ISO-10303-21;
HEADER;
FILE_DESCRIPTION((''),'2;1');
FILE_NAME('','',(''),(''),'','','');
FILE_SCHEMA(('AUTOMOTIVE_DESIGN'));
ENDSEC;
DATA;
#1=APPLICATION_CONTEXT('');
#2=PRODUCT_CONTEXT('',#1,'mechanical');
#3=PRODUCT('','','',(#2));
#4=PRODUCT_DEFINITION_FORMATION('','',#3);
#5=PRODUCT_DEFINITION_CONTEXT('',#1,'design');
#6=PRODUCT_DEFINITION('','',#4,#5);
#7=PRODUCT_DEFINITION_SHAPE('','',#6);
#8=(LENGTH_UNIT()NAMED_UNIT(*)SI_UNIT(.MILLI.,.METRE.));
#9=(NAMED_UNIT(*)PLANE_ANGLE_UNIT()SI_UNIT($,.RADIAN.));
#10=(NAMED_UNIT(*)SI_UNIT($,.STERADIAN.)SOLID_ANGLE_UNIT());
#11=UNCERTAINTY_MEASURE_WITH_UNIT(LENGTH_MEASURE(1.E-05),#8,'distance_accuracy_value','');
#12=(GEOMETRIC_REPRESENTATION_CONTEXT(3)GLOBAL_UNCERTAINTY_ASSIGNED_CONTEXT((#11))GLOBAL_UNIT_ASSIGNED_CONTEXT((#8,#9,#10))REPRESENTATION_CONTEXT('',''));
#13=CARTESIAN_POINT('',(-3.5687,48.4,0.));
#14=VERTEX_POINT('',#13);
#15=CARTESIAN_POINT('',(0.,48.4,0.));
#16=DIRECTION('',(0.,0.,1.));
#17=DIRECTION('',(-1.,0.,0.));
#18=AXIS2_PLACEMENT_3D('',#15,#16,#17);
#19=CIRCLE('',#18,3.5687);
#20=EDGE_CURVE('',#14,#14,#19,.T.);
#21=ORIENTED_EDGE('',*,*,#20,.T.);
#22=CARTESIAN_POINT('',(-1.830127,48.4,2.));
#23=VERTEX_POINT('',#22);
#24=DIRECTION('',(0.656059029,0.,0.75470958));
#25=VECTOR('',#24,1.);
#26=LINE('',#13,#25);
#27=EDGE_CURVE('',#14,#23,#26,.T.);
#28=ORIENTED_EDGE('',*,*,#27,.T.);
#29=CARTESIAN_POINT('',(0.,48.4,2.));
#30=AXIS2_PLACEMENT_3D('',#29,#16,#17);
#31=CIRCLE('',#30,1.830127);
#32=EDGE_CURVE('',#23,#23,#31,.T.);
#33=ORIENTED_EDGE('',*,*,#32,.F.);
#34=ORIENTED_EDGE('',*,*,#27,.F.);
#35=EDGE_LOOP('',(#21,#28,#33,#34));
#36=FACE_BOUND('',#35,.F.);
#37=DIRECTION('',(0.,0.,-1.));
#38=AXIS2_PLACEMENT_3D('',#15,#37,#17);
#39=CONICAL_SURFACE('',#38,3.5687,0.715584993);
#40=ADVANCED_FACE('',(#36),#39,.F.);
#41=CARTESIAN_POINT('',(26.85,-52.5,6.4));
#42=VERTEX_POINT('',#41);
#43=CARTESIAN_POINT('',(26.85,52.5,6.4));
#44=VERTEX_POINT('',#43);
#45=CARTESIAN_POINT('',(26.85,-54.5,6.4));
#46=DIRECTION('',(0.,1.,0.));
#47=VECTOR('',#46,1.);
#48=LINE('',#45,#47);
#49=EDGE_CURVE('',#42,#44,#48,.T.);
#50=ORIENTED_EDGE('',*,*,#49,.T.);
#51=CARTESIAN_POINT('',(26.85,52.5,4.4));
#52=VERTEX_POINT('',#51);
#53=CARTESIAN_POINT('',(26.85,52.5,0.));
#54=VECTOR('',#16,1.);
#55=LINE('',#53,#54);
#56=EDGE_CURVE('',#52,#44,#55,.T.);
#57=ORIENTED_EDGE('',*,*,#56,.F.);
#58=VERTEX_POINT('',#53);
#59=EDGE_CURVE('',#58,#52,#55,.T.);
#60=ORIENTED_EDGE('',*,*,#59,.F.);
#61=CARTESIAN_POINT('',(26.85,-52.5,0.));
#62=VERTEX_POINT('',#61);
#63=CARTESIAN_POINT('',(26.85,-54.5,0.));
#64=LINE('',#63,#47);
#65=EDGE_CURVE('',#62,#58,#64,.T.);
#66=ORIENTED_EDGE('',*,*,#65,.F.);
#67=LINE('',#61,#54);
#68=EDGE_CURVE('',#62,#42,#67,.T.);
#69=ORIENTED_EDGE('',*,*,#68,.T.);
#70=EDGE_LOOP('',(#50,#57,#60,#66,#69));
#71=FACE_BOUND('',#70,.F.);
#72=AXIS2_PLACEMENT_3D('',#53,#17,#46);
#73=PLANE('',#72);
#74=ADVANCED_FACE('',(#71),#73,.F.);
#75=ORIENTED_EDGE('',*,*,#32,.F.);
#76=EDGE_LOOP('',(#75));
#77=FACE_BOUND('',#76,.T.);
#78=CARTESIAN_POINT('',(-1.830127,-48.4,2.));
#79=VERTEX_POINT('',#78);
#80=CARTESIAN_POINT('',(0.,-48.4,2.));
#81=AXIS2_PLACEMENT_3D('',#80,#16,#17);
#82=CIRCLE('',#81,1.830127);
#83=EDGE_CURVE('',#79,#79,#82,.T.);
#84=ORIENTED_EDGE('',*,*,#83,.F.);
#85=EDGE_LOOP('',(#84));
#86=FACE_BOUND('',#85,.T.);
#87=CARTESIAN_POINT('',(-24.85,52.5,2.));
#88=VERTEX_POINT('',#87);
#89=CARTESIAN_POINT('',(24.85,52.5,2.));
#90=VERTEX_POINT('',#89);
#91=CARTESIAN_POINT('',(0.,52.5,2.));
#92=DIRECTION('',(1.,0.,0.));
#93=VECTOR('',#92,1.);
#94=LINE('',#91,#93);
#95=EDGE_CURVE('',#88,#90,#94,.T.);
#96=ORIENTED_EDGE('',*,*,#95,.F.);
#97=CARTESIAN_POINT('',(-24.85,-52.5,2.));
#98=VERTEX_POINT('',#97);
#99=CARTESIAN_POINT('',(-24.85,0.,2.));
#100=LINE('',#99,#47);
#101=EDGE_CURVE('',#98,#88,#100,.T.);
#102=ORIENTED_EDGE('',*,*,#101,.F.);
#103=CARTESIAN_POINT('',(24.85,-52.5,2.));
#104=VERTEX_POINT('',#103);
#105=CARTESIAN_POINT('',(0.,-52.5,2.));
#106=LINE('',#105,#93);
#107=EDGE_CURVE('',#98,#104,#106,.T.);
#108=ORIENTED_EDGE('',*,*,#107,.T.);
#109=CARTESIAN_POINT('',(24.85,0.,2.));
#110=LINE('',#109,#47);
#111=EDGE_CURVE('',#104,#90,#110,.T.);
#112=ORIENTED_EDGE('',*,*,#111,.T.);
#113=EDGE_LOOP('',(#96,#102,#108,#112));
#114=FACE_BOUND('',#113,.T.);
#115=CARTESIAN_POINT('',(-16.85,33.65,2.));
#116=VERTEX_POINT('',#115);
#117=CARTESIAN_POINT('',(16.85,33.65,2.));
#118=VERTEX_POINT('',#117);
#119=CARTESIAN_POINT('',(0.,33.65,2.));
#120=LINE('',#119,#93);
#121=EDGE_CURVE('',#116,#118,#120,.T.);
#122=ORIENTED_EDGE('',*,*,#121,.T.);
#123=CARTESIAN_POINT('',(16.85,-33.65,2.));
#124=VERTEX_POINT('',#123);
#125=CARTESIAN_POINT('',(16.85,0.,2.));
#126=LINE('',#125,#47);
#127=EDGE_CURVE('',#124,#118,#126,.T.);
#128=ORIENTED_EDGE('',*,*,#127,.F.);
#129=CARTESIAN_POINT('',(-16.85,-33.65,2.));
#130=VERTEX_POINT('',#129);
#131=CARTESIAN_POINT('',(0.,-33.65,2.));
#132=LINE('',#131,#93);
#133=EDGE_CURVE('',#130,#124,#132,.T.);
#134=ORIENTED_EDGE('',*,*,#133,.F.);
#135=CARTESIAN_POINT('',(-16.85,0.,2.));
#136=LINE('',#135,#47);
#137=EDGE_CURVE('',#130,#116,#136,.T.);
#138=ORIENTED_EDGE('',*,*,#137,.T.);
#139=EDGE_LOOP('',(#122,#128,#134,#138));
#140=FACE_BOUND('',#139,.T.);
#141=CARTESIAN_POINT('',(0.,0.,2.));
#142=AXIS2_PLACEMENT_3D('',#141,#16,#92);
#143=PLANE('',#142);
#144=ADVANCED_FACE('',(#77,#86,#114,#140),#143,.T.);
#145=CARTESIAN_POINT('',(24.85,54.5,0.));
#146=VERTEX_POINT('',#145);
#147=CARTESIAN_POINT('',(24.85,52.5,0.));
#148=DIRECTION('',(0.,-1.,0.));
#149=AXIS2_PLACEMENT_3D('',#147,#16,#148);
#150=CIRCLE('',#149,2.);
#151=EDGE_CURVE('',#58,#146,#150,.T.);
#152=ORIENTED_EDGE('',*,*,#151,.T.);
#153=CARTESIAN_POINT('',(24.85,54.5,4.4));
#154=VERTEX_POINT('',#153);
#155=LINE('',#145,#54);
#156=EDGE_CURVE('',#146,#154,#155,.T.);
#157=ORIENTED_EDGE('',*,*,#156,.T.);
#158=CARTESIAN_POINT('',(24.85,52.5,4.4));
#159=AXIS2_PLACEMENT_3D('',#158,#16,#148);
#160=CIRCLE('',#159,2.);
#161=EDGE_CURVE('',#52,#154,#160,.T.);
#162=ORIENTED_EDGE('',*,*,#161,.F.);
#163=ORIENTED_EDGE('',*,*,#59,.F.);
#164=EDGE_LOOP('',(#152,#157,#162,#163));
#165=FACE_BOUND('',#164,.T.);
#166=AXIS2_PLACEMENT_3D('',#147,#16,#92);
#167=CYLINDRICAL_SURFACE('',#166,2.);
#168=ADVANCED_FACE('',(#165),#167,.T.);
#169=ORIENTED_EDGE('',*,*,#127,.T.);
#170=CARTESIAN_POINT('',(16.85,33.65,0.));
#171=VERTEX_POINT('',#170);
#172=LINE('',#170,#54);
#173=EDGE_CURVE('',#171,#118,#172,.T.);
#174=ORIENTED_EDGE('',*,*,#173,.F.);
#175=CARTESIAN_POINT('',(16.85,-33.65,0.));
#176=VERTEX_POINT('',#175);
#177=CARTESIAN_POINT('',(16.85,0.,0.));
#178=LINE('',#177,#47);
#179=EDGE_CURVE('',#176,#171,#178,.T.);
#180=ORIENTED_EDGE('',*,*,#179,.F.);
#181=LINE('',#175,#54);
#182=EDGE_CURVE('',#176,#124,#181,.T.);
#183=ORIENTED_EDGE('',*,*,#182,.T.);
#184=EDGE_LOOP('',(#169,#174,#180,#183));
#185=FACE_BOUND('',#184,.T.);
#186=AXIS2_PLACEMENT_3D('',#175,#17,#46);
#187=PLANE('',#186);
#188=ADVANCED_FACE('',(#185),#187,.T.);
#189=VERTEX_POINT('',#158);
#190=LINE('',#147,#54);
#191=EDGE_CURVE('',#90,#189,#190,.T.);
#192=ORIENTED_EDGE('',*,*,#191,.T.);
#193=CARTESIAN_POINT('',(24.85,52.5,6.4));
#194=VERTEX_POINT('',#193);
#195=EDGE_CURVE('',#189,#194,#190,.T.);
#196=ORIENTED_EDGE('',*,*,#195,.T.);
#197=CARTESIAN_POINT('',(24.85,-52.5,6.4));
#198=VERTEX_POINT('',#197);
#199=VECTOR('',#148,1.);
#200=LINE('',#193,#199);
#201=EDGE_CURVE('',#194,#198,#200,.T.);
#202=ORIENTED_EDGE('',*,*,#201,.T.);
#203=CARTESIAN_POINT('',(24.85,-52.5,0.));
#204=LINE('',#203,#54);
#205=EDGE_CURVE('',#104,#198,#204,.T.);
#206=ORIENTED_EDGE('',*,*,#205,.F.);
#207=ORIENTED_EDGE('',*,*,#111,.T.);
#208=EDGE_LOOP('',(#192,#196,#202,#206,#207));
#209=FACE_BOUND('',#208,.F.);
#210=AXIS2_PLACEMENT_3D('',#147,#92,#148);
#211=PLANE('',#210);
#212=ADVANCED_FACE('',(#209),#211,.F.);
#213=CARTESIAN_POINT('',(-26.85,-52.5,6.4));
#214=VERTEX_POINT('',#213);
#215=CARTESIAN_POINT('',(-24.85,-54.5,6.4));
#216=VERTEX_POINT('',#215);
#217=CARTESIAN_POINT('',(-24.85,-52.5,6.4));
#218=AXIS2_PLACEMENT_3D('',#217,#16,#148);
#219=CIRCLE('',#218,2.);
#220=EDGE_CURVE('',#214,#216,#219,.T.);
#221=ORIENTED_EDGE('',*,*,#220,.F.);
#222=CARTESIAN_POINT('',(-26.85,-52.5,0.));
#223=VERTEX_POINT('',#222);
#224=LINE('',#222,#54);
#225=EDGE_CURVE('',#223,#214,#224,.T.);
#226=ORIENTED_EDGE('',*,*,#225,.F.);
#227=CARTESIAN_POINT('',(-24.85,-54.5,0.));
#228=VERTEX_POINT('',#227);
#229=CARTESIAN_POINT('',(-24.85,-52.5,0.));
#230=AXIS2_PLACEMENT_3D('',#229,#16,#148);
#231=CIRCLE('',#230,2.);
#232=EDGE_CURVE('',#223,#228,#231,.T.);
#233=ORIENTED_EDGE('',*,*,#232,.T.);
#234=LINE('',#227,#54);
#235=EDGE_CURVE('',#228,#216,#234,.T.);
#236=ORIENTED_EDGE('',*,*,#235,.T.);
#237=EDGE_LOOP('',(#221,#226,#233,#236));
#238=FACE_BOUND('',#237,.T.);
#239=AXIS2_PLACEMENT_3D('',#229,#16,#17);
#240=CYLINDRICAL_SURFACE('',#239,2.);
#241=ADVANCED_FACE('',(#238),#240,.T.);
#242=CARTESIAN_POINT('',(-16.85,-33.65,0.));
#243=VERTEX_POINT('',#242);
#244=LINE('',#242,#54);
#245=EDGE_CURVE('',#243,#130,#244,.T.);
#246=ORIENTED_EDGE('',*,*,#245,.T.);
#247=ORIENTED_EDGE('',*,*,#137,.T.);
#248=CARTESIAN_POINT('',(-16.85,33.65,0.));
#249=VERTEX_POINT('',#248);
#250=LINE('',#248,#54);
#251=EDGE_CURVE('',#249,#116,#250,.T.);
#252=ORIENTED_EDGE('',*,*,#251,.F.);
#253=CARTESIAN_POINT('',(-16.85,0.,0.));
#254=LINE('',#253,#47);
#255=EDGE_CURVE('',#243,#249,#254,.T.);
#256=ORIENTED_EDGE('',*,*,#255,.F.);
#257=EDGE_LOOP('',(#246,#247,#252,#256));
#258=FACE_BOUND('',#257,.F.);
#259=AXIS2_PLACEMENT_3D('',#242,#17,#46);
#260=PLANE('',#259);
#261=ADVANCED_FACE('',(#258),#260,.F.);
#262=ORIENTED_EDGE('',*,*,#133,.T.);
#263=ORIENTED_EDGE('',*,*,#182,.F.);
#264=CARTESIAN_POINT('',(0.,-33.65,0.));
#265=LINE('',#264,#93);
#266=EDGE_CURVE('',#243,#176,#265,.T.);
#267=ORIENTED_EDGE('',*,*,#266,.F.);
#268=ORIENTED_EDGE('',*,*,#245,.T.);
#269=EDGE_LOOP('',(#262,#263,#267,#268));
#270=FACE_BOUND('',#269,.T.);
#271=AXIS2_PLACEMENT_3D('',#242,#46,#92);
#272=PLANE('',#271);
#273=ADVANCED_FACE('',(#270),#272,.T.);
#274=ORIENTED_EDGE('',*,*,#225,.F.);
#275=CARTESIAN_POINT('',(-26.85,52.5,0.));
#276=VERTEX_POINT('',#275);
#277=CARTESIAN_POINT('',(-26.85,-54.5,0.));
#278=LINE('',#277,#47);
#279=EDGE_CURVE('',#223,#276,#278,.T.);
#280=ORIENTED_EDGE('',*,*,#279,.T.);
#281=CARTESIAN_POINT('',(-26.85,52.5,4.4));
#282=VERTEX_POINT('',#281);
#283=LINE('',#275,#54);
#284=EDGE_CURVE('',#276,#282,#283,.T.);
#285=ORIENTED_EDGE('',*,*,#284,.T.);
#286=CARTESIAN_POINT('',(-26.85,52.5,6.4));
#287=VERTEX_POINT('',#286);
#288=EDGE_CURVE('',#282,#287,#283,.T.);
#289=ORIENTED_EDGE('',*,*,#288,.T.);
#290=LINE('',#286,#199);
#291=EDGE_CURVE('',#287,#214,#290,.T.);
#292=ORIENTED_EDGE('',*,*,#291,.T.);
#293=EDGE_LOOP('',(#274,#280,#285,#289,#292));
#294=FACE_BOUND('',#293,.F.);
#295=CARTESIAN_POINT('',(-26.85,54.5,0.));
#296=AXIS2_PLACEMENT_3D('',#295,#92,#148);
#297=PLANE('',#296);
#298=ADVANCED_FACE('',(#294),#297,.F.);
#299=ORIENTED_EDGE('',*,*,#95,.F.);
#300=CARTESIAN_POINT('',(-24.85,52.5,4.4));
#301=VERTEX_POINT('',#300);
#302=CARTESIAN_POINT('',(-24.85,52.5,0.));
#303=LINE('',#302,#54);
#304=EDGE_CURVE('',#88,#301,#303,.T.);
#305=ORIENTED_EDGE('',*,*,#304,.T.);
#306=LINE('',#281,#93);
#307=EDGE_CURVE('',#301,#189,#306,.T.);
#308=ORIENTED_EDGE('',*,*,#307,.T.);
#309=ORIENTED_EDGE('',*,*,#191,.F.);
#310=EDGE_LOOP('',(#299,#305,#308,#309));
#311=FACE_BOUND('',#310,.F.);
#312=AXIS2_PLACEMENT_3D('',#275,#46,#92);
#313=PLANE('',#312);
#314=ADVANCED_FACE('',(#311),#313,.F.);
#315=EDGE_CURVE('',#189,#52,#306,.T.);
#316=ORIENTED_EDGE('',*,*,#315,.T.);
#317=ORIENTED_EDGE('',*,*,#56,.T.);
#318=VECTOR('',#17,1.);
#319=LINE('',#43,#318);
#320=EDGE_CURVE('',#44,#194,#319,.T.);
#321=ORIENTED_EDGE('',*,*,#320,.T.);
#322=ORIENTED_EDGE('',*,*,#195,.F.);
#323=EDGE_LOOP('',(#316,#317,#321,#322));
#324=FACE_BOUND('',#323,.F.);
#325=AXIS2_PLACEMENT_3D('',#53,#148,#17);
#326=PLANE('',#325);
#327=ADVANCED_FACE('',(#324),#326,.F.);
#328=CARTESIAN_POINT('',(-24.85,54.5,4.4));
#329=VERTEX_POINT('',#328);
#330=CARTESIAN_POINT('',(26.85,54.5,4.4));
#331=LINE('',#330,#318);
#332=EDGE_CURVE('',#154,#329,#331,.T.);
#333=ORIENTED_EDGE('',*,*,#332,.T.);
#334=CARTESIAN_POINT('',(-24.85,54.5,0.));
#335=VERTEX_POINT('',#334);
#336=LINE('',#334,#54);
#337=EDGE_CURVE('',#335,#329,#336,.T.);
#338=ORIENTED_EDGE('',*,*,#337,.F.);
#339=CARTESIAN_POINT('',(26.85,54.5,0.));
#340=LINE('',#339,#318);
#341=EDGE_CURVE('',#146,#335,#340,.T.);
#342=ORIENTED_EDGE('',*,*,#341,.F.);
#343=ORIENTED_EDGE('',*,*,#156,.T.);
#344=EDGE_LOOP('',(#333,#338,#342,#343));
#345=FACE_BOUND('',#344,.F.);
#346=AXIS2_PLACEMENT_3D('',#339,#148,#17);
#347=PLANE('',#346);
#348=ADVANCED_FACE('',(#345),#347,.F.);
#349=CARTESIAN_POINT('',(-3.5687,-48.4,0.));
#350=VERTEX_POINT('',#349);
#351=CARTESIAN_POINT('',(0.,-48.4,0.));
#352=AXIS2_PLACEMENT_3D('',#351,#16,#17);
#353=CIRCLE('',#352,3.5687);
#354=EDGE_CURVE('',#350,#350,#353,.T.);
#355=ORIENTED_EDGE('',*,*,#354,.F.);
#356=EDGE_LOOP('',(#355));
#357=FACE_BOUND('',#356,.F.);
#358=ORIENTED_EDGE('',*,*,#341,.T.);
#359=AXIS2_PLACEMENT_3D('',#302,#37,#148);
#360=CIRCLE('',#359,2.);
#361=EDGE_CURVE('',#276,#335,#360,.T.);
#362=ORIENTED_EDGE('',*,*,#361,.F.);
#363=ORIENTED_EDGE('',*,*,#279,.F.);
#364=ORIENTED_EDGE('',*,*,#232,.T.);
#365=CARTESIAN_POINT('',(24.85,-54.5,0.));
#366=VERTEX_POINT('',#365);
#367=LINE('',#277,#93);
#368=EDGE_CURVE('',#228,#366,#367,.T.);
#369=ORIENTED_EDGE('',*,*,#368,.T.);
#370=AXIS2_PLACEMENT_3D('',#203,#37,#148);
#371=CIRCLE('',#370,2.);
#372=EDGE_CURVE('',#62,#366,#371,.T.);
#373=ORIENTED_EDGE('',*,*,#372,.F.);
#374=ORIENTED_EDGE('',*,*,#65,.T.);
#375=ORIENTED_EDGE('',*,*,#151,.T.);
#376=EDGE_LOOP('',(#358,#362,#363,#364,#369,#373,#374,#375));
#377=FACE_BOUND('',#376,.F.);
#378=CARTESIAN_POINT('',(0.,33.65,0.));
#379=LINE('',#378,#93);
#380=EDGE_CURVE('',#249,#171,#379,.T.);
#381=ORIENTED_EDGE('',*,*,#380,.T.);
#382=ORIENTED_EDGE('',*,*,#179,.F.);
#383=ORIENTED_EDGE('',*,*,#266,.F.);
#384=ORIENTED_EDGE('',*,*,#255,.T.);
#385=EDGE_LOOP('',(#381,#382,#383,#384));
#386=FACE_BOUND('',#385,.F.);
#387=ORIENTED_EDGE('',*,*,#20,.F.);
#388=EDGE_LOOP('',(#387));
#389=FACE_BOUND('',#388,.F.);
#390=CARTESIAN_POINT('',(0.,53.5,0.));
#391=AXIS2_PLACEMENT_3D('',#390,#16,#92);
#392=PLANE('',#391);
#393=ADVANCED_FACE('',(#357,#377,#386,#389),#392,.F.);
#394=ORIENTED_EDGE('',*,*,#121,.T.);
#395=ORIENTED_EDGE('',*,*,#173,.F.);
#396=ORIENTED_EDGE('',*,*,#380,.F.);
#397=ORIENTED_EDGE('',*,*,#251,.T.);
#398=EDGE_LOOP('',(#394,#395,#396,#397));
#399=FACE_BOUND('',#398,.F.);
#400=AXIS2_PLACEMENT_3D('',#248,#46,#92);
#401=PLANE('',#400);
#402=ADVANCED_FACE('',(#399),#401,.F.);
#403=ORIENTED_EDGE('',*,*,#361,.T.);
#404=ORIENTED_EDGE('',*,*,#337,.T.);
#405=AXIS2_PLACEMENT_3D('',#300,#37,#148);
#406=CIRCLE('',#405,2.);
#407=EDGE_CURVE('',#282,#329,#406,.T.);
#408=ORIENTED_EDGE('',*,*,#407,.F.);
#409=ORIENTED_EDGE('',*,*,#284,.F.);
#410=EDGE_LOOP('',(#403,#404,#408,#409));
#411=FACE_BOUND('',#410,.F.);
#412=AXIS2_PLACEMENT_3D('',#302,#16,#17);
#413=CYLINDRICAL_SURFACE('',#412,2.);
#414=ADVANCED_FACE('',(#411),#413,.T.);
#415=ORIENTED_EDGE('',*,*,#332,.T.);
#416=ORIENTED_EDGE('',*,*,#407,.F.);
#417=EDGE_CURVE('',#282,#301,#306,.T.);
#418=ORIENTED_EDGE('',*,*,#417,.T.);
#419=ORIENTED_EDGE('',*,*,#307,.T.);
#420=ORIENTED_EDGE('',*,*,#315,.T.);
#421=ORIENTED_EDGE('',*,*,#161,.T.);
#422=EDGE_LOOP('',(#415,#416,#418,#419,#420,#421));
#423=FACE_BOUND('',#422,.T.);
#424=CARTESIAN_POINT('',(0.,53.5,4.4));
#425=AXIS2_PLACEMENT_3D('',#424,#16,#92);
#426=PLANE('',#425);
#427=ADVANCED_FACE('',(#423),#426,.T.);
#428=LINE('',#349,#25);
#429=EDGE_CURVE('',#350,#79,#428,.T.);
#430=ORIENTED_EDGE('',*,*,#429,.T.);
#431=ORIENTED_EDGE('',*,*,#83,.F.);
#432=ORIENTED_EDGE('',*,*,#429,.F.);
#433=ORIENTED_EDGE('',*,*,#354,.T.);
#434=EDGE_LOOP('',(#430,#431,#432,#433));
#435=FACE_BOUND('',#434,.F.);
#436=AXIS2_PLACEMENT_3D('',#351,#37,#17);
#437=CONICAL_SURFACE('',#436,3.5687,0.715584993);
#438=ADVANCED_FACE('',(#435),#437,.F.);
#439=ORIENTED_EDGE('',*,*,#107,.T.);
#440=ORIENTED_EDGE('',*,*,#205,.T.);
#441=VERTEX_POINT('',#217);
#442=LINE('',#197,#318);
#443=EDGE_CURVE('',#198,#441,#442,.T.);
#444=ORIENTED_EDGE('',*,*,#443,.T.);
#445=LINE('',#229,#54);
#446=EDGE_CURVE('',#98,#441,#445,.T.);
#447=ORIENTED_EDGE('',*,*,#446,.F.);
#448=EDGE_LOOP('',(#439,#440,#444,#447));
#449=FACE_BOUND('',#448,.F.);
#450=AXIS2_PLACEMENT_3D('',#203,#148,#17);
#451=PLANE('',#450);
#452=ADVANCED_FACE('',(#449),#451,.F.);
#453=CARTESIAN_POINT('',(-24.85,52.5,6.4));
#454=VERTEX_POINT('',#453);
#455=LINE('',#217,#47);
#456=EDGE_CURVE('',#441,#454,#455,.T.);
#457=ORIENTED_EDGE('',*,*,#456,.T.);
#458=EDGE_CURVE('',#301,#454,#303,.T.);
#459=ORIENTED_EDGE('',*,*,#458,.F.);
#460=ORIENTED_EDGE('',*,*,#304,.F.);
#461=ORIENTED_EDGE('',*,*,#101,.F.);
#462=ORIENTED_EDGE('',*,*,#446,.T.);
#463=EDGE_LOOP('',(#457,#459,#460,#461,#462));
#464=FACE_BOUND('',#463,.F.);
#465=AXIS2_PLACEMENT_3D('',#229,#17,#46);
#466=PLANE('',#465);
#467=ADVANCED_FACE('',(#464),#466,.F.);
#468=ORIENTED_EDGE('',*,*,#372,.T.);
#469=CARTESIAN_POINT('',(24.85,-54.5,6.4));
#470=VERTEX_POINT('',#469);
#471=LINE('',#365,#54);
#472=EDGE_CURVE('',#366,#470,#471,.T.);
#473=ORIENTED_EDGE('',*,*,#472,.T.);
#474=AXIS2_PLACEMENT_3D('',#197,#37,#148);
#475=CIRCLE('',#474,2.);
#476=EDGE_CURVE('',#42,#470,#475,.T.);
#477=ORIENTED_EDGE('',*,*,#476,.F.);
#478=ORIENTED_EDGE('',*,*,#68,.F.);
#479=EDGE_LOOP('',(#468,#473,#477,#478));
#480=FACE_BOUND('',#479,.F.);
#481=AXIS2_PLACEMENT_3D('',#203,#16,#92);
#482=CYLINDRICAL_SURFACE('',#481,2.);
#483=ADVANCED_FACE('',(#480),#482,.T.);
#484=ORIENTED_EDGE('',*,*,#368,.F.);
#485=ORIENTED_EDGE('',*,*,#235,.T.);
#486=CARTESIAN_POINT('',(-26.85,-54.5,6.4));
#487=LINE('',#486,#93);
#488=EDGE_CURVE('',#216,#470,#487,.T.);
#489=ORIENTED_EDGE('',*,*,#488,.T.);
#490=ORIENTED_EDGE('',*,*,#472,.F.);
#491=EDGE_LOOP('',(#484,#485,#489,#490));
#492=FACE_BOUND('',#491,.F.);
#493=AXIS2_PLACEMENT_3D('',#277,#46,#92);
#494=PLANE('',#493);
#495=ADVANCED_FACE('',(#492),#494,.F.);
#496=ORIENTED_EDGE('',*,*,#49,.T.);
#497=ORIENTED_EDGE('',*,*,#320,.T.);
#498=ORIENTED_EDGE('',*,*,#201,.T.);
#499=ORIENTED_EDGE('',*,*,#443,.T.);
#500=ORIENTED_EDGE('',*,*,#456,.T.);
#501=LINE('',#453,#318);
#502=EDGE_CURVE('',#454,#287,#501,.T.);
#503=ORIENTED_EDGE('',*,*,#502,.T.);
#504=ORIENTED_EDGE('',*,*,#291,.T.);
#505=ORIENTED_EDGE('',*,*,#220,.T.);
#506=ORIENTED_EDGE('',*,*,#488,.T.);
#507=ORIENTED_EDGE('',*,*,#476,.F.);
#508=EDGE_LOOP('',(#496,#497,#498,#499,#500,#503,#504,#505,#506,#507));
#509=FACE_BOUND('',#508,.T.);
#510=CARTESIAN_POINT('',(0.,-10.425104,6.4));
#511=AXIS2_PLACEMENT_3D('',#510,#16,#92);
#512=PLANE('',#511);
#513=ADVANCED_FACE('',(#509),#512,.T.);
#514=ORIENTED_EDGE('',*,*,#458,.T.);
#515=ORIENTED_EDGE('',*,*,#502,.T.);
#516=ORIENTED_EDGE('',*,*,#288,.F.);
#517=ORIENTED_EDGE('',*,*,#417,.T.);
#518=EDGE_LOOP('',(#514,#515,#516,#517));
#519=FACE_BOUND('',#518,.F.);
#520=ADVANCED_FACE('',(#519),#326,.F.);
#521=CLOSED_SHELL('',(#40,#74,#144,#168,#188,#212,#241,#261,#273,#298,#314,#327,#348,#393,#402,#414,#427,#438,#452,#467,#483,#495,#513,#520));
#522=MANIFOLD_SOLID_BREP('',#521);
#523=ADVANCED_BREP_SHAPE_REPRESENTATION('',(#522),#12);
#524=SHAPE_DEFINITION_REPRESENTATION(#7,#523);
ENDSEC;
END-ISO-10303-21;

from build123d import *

# Parameters (mm, degrees)
F0_W           = 49.7
F0_H           = 105
F0_W_2         = 33.7
F0_H_2         = 67.3
F1_DEPTH       = 2
F2_DEPTH       = 6.4
F3_DEPTH       = 4.4
F4_D           = 3.4544
F4_CSINK_D     = 7.1374
F4_CSINK_ANGLE = 82
F5_R           = 2


with BuildPart() as f1:
    # F0 (on Top) → F1 (new body)
    with BuildSketch(Plane.XY):
        Rectangle(F0_W, F0_H)
        Rectangle(F0_W_2, F0_H_2, mode=Mode.SUBTRACT)
    extrude(amount=F1_DEPTH)

    # F0 (on Top) → F2 (join)
    with BuildSketch(Plane.XY):
        Polygon((26.85, 52.5), (24.85, 52.5), (24.85, -52.5), (-24.85, -52.5), (-24.85, 52.5), (-26.85, 52.5), (-26.85, -54.5), (26.85, -54.5), align=None)
    extrude(amount=F2_DEPTH)

    # F0 (on Top) → F3 (join)
    with BuildSketch(Plane.XY):
        Polygon((-24.85, 52.5), (24.85, 52.5), (26.85, 52.5), (26.85, 54.5), (-26.85, 54.5), (-26.85, 52.5), align=None)
    extrude(amount=F3_DEPTH)

    # F4 (through all)
    with Locations(Plane(origin=(0, 0, 0), x_dir=(1, 0, 0), z_dir=(0, 0, -1))):
        with Locations((0, -48.4), (0, 48.4)):
            CounterSinkHole(F4_D / 2, F4_CSINK_D / 2, counter_sink_angle=F4_CSINK_ANGLE)

    # F5
    f5_edges = [f1.edges().sort_by_distance(p)[0] for p in [
        (26.85, 54.5, 2.2),
        (26.85, -54.5, 3.2),
        (-26.85, -54.5, 3.2),
        (-26.85, 54.5, 2.2),
    ]]
    fillet(f5_edges, radius=F5_R)


solid = f1.part
